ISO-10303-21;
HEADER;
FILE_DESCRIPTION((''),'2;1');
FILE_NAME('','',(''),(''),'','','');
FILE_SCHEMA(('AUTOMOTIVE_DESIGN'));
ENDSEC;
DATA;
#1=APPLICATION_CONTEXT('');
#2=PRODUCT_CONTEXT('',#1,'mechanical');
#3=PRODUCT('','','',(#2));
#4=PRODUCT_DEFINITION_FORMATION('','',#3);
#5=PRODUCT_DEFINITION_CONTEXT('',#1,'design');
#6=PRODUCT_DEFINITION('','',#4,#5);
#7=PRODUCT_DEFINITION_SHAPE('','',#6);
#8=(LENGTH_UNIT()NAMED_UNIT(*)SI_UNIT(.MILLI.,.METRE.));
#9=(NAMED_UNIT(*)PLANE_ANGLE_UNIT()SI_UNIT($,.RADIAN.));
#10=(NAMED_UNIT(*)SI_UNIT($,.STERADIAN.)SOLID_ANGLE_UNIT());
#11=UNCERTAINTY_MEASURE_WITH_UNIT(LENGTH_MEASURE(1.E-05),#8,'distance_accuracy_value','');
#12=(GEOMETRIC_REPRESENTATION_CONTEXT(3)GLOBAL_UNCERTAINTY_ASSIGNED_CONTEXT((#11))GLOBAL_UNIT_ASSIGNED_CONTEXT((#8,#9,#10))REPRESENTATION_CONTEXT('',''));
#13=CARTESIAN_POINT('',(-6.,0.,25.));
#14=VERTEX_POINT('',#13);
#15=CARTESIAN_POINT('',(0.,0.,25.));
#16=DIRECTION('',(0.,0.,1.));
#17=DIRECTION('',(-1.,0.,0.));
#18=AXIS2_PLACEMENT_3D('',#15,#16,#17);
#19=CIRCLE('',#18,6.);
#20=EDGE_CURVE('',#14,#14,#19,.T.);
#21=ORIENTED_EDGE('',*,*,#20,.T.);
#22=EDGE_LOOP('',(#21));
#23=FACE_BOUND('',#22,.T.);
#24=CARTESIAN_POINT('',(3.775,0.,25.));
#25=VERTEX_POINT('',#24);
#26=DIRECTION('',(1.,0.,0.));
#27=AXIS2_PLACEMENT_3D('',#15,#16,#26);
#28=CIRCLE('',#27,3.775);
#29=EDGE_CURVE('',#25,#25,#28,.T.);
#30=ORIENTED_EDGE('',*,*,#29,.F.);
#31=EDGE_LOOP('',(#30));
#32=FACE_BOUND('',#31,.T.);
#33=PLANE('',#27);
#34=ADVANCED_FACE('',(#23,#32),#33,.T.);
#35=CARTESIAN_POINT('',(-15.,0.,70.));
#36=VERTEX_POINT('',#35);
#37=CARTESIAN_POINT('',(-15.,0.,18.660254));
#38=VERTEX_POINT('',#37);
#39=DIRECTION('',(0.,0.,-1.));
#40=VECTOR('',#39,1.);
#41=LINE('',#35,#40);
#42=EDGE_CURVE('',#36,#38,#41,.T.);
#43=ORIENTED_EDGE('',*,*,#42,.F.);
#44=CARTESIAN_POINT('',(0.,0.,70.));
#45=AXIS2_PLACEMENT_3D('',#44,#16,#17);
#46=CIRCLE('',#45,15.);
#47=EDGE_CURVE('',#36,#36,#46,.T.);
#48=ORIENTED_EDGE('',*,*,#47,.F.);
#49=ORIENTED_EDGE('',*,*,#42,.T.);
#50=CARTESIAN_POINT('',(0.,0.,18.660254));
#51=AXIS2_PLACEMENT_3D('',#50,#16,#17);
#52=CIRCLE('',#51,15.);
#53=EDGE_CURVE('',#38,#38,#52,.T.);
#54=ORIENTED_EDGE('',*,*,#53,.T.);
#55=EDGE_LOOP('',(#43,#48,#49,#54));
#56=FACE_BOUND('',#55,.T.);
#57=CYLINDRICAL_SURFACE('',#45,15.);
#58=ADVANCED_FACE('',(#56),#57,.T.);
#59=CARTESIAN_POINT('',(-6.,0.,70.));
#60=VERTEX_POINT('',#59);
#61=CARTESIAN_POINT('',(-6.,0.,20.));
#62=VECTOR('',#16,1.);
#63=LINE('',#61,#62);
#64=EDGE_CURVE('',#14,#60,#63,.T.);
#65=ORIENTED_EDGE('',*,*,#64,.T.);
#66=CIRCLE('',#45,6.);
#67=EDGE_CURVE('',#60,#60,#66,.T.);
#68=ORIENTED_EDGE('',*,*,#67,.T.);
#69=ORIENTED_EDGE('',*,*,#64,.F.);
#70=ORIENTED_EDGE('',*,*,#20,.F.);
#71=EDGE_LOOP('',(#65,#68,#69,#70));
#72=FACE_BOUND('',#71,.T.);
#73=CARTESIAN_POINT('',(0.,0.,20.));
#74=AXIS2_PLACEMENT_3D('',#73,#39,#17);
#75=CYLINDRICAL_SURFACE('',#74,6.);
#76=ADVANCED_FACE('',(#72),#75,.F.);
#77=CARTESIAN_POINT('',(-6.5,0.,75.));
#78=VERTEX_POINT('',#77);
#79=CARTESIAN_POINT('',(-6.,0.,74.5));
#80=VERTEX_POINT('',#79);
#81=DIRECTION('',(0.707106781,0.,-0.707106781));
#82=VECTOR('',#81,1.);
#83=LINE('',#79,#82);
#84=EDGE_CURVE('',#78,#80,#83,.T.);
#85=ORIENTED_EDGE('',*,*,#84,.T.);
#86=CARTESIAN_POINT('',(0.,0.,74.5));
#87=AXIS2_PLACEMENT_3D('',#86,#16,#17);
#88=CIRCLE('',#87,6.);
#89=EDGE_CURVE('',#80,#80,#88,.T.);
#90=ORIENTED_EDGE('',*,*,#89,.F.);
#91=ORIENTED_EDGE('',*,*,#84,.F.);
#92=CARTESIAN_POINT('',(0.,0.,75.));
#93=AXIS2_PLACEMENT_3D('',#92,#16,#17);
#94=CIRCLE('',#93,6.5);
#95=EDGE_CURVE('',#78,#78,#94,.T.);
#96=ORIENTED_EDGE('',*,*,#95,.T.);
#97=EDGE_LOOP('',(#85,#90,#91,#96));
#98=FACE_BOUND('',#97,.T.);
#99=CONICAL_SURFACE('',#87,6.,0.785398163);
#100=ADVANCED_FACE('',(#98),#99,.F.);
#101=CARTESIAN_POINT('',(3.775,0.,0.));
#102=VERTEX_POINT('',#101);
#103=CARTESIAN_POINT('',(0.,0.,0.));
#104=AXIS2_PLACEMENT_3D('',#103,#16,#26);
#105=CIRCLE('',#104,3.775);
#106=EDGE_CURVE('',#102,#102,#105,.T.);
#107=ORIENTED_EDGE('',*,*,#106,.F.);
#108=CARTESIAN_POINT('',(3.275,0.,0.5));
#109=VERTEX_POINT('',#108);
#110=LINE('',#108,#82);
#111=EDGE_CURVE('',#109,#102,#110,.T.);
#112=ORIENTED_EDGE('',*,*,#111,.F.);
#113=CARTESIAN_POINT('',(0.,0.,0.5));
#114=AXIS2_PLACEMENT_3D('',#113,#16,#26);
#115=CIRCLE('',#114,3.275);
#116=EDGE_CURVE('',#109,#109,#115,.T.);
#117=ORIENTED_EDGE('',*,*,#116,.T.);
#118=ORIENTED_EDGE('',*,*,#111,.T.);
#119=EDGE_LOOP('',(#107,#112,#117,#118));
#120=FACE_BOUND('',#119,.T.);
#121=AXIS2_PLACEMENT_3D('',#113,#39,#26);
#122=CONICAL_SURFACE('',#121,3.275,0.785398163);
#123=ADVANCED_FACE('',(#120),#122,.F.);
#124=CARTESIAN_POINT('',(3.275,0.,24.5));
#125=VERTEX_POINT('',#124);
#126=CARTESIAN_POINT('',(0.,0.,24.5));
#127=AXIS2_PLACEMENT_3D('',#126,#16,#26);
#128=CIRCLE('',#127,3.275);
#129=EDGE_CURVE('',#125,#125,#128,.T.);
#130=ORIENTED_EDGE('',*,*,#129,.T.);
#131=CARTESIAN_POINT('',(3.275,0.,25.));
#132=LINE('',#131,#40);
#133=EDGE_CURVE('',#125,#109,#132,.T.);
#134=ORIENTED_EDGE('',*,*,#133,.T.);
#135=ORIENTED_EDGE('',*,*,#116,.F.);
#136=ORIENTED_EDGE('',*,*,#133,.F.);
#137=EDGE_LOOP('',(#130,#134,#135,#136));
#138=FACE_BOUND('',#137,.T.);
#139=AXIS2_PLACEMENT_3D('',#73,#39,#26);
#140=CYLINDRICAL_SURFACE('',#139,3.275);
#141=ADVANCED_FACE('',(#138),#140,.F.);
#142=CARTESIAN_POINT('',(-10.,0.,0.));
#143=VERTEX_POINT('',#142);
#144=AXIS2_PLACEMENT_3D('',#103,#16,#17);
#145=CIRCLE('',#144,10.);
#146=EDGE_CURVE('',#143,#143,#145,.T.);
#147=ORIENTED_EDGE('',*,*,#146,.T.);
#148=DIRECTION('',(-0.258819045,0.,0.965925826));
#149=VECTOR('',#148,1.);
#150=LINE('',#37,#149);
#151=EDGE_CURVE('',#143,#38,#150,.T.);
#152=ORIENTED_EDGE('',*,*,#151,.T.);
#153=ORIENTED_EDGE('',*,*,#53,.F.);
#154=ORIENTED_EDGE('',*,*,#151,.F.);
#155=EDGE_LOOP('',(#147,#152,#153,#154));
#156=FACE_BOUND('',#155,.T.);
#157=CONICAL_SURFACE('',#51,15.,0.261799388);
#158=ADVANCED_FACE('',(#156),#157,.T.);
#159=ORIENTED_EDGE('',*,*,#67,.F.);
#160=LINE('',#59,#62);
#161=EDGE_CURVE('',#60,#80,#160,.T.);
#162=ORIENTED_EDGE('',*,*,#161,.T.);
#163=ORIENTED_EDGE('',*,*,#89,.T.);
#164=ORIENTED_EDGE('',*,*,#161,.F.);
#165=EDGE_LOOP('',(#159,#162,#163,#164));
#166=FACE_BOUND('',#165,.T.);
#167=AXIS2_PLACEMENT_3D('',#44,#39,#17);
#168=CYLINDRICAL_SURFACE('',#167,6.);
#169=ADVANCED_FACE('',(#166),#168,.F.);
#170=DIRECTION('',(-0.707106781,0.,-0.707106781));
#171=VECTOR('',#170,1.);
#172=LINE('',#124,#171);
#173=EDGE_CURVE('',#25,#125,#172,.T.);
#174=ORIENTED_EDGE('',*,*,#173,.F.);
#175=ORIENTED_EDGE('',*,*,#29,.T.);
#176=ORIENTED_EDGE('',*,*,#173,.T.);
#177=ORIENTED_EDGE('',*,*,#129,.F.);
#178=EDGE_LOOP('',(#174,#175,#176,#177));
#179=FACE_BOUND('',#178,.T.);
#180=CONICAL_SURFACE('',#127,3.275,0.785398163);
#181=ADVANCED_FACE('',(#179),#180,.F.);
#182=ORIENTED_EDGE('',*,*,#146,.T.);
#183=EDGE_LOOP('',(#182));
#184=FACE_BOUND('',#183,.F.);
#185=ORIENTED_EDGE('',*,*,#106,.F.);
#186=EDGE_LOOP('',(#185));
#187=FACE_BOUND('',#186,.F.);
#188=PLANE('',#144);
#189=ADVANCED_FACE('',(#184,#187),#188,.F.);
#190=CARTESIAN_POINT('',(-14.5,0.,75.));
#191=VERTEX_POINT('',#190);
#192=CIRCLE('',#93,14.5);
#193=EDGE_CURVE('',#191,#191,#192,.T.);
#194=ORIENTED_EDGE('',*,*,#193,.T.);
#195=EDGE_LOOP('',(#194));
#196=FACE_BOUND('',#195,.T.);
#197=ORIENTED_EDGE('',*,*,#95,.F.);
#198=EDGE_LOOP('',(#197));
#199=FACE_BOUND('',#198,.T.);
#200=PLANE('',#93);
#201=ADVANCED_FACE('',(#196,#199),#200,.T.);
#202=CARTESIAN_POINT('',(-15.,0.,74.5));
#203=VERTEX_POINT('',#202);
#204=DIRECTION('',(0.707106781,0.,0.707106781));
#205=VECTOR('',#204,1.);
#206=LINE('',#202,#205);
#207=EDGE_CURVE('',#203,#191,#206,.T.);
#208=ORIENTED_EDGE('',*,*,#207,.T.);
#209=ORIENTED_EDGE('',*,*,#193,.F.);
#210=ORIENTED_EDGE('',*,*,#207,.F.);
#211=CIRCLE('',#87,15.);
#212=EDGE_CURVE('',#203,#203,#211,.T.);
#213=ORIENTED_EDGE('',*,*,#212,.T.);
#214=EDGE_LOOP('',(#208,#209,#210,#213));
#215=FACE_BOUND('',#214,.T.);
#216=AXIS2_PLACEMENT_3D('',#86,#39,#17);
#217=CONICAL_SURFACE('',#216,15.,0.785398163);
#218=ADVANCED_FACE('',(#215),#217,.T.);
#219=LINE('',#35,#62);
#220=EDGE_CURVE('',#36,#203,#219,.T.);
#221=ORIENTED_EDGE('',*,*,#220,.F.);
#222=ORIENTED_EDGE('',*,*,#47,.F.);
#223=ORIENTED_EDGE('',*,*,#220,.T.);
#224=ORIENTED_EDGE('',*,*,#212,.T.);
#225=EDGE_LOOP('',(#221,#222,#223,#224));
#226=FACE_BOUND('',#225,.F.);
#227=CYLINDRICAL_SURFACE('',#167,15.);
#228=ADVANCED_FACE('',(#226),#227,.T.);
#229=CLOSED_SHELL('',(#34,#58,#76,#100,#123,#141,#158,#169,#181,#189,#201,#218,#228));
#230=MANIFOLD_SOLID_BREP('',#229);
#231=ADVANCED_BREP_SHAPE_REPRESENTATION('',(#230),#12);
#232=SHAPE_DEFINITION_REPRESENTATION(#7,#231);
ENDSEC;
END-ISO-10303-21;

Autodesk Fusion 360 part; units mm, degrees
sketch "草图1" plane through (0, 0, 0) normal (0, 0, 1) x (1, 0, 0)
  circle A0 centre (0, 0) radius 10
  circle A1 centre (0, 0) radius 3.275
  dimension "d1" = 20
  dimension "d2" = 6.55
extrude "拉伸1" add sketch "草图1" along normal blind 20
sketch "草图2" plane through (0, 0, 20) normal (0, 0, 1) x (-1, 0, 0)
  circle A0 centre (0, 0) radius 3.275
  circle A1 centre (0, 0) radius 10
  circle A2 centre (0, 0) radius 6
  dimension "d5" = 12
extrude "拉伸2" add sketch "草图2" along normal blind 50 contours A1
extrude "Extrude3" add 1 faces at (-5.0571, 0.4608, 20) along direction (0, 0, 1) blind 5
sketch "Sketch3" plane through (0, 0, 70) normal (0, 0, 1) x (-1, 0, 0)
  circle A0 centre (0, 0) radius 6
  circle A1 centre (0, 0) radius 10
  circle A2 centre (0, 0) radius 15
  dimension "d11" = 30
extrude "Extrude4" add sketch "Sketch3" against normal blind 70 contours A2
chamfer "Chamfer2" distance 5 angle 75 1 edges at (13.9849, -5.4242, 0) measured on face at (-11.0236, 0.9079, 0)
extrude "Extrude5" add 1 faces at (-11.9442, 0.7452, 70) along direction (0, 0, 1) blind 5
chamfer "Chamfer3" distance 0.5 angle 45 2 edges at (-3.0534, 1.1843, 25) (-3.0534, 1.1843, 0) 1 faces at (-11.9442, 0.7452, 75) measured on face at (-5.0571, 0.4608, 25) measured on face at (3.2709, -0.1632, 16.6667)
chamfer "Chamfer1" [suppressed]
